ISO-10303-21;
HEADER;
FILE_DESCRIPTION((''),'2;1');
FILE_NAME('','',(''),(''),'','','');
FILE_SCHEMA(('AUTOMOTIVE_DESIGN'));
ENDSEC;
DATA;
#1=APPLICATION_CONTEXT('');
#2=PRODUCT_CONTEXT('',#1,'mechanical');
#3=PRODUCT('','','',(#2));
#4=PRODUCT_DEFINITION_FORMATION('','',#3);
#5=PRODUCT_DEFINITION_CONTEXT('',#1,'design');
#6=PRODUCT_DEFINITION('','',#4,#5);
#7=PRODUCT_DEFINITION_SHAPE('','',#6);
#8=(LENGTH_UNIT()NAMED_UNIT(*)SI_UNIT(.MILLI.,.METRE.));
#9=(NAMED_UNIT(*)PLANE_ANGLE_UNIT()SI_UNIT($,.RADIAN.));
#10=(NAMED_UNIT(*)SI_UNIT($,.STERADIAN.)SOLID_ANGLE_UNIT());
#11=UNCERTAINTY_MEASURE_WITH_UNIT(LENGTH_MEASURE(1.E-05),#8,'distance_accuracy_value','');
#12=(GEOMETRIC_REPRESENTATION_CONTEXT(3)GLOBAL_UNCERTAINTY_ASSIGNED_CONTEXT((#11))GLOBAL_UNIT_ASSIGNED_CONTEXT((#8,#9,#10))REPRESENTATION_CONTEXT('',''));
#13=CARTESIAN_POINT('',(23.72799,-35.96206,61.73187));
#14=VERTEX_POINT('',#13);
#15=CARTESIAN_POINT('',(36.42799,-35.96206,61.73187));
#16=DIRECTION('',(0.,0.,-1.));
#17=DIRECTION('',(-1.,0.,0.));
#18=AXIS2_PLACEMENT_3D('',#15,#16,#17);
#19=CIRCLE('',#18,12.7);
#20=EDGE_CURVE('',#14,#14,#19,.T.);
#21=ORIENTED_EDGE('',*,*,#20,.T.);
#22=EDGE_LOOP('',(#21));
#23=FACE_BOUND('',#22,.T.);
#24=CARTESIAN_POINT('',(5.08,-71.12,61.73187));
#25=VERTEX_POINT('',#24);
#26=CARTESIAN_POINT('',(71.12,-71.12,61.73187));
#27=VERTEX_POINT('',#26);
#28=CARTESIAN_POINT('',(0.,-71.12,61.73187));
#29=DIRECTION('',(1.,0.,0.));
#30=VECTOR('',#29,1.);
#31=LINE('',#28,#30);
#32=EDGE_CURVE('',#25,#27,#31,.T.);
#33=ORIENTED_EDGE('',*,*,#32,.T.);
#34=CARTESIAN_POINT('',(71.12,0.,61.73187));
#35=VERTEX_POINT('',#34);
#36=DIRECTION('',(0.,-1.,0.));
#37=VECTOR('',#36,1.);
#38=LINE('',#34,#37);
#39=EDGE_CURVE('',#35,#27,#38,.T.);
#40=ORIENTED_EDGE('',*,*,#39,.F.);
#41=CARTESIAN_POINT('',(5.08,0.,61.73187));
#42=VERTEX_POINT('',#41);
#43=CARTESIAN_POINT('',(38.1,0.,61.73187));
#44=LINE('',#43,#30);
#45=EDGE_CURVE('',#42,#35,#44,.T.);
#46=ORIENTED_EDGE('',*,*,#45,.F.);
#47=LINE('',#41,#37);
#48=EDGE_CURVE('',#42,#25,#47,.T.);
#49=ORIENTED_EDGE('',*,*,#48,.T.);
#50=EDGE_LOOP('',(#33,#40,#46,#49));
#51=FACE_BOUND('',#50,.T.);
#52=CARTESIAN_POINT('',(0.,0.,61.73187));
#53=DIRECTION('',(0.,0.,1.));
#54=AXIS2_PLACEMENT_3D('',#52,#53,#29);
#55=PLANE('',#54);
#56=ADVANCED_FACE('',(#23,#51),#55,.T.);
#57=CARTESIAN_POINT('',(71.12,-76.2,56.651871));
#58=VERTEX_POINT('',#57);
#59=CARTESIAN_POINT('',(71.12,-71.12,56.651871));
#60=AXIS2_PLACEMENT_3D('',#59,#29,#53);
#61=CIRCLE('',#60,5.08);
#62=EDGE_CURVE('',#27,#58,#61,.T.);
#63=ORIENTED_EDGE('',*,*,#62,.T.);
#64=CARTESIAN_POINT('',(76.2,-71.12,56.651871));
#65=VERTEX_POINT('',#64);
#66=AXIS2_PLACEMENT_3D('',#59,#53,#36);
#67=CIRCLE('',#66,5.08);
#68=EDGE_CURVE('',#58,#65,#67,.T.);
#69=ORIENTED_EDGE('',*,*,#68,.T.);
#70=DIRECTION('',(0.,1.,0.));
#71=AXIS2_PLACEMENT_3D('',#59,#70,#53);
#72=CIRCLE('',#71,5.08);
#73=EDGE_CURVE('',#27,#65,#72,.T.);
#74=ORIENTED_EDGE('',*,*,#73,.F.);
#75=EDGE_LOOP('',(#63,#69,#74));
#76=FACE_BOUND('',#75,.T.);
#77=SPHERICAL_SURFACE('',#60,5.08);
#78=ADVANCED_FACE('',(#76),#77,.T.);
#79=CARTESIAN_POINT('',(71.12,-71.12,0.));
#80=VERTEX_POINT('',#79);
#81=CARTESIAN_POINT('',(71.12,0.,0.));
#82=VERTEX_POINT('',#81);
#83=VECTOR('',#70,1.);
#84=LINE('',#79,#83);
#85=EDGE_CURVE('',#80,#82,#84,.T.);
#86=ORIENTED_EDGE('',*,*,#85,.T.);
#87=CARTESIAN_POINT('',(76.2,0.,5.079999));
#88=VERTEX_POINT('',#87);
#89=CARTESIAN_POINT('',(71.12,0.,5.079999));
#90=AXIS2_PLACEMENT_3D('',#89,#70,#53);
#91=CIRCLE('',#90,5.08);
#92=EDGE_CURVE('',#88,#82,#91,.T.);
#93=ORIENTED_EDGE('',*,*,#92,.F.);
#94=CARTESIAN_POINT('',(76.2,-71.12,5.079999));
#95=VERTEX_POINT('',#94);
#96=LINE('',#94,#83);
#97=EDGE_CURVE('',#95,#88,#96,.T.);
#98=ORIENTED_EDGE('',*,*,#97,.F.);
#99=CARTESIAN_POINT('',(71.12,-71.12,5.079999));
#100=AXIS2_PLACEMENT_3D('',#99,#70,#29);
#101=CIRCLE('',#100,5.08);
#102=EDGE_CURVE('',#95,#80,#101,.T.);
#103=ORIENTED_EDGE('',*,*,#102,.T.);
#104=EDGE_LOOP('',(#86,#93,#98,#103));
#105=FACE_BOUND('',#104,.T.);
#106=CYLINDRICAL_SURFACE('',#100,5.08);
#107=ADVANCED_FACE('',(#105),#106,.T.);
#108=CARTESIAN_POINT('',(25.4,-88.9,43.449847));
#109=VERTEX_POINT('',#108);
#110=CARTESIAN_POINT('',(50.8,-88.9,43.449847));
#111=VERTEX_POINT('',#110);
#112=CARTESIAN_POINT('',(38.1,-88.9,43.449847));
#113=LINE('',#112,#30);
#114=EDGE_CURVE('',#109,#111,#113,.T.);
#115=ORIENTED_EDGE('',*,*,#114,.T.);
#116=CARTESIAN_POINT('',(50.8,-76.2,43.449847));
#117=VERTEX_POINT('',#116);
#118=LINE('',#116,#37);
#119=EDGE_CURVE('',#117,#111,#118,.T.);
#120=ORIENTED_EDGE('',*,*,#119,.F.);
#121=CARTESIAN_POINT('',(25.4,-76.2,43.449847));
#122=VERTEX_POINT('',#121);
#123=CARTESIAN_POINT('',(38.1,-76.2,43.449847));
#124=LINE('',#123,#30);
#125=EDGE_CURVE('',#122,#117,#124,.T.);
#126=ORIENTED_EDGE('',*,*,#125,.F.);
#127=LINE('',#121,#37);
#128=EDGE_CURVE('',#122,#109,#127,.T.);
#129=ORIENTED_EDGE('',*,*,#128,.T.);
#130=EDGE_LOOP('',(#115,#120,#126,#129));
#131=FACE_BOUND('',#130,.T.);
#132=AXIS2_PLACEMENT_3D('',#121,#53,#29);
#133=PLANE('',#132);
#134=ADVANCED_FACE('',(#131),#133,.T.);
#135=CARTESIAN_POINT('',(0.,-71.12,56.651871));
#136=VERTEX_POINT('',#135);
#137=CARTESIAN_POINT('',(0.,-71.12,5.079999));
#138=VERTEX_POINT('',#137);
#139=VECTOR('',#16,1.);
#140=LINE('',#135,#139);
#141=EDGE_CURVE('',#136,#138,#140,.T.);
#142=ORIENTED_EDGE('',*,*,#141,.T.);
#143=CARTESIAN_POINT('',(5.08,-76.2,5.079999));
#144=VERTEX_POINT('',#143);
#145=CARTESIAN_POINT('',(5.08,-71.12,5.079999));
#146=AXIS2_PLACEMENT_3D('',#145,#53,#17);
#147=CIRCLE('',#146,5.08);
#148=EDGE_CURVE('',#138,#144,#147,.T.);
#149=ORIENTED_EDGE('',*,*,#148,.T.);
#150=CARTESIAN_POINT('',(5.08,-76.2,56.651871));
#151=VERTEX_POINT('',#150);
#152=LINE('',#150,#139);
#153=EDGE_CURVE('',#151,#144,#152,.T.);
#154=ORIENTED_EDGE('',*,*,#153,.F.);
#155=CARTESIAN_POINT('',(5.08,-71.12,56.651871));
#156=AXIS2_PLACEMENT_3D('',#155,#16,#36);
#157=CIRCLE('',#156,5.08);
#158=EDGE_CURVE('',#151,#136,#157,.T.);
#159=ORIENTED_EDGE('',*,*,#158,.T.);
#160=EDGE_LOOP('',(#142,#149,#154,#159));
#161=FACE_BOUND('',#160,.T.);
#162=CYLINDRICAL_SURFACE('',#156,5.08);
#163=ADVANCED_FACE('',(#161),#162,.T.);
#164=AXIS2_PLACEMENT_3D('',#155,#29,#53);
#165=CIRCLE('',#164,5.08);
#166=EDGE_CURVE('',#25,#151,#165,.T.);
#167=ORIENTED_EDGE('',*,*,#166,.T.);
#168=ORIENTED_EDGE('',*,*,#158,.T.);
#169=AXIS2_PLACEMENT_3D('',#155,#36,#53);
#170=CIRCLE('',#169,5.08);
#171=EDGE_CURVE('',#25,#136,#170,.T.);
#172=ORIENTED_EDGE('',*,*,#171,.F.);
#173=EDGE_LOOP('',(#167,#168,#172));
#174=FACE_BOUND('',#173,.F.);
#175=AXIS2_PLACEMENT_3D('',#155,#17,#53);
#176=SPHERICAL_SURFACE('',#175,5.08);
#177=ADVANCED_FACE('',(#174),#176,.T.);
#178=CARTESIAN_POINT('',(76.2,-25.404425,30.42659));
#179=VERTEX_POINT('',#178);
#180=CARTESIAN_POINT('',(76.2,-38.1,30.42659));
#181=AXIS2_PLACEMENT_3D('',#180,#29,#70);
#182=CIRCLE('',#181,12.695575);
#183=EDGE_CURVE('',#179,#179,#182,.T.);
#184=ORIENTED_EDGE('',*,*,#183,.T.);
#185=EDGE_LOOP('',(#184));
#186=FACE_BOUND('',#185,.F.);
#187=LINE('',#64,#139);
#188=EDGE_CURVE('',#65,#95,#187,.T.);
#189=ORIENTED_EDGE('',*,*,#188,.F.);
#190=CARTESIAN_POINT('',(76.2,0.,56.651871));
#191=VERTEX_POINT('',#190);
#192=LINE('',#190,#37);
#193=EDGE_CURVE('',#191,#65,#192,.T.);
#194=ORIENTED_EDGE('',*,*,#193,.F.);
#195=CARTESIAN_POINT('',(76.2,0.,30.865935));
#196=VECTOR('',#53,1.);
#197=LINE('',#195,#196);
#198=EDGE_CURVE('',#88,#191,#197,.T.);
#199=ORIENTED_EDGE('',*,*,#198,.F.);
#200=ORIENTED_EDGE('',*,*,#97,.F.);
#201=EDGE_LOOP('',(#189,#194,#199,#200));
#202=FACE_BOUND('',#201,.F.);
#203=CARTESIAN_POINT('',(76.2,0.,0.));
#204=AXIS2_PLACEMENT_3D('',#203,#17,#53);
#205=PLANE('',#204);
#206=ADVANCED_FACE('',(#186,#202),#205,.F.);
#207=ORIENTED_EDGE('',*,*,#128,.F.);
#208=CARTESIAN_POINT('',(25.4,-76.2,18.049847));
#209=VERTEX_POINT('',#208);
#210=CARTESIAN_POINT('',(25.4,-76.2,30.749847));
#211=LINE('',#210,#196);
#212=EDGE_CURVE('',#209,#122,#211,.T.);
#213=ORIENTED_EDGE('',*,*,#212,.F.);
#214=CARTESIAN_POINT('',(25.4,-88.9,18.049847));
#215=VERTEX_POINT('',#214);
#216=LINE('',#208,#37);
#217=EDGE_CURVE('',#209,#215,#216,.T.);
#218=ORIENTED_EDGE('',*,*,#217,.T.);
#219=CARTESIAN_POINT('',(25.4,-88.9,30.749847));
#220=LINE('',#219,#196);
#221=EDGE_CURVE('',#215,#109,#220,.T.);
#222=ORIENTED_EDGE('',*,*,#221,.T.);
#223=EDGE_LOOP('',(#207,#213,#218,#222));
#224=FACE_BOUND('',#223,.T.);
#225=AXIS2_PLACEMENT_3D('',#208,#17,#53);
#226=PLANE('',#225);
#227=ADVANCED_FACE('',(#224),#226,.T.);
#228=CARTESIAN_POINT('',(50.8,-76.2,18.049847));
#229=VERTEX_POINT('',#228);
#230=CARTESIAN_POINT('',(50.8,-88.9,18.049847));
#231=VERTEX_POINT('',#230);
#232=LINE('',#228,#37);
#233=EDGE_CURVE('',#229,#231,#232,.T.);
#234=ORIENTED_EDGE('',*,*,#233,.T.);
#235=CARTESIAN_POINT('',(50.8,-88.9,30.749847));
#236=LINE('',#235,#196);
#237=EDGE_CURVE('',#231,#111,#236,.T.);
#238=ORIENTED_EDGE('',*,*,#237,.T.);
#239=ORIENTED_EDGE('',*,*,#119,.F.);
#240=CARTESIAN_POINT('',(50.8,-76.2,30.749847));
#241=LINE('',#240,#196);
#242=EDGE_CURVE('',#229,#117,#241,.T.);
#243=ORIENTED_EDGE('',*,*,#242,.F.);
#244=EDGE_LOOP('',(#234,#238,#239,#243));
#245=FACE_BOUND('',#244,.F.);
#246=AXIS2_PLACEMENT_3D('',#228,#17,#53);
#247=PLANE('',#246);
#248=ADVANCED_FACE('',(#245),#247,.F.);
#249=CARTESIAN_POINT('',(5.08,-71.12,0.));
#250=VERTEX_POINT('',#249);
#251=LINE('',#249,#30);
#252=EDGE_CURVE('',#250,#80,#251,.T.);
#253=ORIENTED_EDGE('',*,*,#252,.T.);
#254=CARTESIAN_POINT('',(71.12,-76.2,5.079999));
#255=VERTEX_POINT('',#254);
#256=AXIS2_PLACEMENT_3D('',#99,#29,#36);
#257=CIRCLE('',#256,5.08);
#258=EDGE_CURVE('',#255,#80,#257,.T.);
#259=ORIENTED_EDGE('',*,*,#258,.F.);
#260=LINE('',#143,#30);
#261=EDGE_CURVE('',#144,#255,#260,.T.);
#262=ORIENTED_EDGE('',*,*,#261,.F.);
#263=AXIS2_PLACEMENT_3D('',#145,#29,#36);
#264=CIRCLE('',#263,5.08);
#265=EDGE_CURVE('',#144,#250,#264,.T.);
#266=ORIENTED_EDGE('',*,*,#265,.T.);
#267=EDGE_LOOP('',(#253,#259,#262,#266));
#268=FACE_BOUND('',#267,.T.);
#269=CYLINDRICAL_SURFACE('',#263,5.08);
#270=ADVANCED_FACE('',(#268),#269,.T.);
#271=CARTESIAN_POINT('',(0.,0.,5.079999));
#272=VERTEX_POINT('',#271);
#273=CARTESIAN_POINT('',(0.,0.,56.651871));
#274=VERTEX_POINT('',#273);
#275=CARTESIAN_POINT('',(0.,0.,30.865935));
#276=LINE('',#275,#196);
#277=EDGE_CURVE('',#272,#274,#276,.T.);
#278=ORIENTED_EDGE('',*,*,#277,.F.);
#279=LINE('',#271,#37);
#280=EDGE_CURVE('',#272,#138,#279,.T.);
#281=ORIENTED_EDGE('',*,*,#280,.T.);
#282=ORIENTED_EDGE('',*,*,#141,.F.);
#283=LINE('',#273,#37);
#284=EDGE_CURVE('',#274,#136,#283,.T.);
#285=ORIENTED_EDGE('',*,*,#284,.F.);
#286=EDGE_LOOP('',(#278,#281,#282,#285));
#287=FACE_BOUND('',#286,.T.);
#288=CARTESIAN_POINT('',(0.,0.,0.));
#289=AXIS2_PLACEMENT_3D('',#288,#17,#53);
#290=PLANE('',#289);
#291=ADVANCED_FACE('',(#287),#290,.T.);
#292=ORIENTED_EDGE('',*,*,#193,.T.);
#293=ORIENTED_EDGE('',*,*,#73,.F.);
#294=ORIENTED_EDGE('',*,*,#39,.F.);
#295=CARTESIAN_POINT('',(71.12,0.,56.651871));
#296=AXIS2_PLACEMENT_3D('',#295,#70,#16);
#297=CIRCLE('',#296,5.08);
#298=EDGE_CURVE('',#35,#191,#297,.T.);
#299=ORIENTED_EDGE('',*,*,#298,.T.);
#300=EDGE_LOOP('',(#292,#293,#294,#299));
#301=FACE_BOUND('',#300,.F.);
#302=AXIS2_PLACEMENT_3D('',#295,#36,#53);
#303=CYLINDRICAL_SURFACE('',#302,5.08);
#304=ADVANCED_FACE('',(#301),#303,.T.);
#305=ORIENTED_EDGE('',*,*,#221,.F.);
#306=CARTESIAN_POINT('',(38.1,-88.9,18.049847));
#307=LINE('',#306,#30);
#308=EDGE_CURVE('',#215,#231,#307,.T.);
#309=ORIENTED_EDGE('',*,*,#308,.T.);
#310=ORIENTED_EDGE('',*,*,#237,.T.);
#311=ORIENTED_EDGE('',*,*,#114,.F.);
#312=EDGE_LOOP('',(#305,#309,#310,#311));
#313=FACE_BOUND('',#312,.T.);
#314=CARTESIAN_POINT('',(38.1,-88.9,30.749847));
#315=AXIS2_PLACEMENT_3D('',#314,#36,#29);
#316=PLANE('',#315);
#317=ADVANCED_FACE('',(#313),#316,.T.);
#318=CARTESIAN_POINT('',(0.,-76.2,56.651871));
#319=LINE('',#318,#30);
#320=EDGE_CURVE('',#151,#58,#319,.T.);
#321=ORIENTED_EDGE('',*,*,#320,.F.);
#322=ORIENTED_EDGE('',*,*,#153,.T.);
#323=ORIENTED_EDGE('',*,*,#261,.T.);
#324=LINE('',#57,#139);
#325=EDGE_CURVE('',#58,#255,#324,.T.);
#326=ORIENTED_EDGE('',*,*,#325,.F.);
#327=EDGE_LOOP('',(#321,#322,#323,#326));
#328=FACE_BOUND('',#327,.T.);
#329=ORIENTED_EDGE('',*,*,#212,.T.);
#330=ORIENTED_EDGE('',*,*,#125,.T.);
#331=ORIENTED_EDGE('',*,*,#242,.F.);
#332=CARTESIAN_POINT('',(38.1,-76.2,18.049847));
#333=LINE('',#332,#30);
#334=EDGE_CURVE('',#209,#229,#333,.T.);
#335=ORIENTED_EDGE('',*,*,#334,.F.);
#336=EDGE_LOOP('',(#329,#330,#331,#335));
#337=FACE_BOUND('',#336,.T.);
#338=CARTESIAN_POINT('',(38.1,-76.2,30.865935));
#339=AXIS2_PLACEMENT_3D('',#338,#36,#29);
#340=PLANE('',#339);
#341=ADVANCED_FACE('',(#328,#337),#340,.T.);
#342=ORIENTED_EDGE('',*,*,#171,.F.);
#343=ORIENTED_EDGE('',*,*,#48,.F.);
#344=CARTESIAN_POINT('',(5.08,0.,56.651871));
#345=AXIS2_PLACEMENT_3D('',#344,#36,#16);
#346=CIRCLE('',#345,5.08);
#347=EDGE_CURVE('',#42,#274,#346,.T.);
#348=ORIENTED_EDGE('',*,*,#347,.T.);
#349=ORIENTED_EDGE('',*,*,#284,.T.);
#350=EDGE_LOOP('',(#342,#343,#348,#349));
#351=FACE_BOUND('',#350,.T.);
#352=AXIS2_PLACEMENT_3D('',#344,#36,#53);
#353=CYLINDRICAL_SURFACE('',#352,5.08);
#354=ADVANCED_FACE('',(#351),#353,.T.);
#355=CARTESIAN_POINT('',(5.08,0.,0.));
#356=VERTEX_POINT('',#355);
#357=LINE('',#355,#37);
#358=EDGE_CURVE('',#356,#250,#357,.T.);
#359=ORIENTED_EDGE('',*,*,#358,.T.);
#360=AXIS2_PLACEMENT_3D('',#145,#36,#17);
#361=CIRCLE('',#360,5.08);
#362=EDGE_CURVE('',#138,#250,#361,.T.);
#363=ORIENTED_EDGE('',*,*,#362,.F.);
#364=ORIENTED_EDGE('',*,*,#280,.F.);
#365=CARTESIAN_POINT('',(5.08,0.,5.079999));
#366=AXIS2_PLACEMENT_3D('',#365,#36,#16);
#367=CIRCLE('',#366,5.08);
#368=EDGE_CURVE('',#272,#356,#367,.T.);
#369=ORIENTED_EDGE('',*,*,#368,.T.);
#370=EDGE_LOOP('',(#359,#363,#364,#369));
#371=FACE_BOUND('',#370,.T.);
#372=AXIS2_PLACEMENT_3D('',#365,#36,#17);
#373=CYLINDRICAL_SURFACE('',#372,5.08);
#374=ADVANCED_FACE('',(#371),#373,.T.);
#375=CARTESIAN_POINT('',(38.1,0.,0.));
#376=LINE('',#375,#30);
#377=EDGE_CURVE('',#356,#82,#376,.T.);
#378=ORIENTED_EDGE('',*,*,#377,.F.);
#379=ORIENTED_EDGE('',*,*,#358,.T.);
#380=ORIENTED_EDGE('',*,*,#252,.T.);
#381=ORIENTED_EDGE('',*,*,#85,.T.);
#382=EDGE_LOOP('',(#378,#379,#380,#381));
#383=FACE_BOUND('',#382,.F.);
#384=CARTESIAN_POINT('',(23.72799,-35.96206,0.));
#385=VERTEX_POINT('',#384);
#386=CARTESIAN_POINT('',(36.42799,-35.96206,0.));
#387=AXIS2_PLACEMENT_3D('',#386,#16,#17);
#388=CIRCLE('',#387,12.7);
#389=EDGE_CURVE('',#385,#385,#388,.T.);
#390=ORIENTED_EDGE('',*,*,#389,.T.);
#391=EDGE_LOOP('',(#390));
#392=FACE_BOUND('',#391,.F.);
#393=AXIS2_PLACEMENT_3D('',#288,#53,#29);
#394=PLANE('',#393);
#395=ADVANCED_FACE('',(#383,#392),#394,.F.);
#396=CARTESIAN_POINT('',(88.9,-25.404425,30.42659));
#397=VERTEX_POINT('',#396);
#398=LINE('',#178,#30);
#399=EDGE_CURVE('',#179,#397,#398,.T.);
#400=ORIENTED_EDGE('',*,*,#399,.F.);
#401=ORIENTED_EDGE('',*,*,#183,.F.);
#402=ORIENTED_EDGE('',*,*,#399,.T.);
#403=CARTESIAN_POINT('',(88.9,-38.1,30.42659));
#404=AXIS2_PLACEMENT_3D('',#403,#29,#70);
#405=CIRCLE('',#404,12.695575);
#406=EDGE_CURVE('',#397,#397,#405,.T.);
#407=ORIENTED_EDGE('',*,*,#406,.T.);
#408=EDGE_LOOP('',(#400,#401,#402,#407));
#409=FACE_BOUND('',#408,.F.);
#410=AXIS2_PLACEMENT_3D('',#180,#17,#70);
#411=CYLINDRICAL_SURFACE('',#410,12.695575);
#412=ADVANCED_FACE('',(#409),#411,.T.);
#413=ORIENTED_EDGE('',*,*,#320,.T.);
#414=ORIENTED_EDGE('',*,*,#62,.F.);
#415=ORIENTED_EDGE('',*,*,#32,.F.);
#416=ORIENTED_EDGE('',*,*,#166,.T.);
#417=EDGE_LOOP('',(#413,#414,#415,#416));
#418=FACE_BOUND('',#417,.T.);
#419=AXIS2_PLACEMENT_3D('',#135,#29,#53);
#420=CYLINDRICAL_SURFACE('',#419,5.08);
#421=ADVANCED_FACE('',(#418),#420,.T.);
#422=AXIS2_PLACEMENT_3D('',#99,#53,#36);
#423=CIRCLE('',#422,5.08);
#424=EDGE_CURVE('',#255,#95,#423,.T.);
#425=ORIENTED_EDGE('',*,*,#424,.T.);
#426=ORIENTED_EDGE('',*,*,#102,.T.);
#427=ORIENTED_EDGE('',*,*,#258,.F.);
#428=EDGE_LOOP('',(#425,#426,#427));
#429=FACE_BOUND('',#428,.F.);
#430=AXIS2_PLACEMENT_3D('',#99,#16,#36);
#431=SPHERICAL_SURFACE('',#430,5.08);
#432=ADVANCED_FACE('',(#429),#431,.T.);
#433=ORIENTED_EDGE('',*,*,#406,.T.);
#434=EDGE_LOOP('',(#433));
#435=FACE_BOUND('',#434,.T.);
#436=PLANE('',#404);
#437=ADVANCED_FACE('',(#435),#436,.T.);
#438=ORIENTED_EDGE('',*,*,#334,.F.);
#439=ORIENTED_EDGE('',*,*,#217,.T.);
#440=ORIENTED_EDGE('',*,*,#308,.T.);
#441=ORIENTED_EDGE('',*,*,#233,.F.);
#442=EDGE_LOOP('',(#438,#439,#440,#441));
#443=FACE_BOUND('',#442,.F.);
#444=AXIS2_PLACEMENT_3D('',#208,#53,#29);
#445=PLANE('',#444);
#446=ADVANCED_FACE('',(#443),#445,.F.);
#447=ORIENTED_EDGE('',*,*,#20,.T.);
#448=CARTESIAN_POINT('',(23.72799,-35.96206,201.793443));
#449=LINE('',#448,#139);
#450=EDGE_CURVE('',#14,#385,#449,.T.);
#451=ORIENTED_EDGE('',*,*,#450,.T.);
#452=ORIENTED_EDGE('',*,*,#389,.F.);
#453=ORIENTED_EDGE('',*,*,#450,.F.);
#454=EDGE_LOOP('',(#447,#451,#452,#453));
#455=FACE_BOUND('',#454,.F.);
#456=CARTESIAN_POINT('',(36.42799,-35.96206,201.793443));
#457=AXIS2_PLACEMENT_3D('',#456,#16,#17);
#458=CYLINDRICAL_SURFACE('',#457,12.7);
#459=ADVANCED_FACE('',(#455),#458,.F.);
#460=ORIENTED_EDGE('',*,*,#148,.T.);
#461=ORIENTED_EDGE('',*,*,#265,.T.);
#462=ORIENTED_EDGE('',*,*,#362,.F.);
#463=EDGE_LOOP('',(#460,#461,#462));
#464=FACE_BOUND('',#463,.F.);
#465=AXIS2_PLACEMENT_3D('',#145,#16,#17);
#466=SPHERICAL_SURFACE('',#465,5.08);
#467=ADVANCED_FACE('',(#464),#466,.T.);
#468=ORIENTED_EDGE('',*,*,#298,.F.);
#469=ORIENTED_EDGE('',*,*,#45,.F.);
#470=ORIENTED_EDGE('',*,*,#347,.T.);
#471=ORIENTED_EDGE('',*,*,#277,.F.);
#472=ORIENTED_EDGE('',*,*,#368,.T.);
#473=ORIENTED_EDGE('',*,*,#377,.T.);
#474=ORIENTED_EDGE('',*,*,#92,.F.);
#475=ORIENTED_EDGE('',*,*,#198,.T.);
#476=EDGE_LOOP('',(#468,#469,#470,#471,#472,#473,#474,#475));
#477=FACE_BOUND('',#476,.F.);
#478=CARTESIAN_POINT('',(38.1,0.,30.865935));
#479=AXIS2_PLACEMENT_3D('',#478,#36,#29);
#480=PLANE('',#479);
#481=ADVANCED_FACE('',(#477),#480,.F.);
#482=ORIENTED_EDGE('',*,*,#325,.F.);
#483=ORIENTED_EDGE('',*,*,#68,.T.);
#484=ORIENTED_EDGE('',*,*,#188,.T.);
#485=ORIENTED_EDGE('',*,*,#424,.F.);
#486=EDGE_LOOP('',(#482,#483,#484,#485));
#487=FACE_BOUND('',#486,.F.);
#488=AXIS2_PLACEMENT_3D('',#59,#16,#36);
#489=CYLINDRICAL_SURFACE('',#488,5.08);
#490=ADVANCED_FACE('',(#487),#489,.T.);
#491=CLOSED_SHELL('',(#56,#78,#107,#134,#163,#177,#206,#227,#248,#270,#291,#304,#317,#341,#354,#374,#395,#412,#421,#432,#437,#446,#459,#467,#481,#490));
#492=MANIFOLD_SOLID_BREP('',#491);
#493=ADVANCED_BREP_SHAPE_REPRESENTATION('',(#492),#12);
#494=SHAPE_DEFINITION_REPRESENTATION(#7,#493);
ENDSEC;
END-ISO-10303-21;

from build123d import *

# Parameters (mm, degrees)
F0_W     = 76.2
F0_H     = 61.731871
F1_DEPTH = 76.2
F4_R     = 12.695575
F5_DEPTH = 12.7
F7_W     = 25.4
F7_H     = 25.4
F8_DEPTH = 12.7
F10_D    = 25.4
F11_R    = 5.08
F12_R    = 5.08
F13_R    = 5.08
F14_R    = 5.08


with BuildPart() as f1:
    # F0 (on Front) → F1 (new body)
    with BuildSketch(Plane.XZ):
        with Locations((38.1, 30.865935)):
            Rectangle(F0_W, F0_H)
    extrude(amount=F1_DEPTH)

    # F4 (on face) → F5 (join)
    with BuildSketch(Plane.YZ.offset(76.2)):
        with Locations((-38.1, 30.42659)):
            Circle(F4_R)
    extrude(amount=F5_DEPTH)

    # F7 (on face) → F8 (join)
    with BuildSketch(Plane.XZ.offset(76.2)):
        with Locations((38.1, 30.749847)):
            Rectangle(F7_W, F7_H)
    extrude(amount=F8_DEPTH)

    # F10 (through all)
    with Locations(Plane.XY.offset(61.731871)):
        with Locations((36.42799, -35.96206)):
            Hole(F10_D / 2)

    # F11
    f11_edges = [f1.edges().sort_by_distance(p)[0] for p in [
        (38.1, -76.2, 61.731871),
    ]]
    fillet(f11_edges, radius=F11_R)

    # F12
    f12_edges = [f1.edges().sort_by_distance(p)[0] for p in [
        (76.2, -35.56, 61.731871),
    ]]
    fillet(f12_edges, radius=F12_R)

    # F13
    f13_edges = [f1.edges().sort_by_distance(p)[0] for p in [
        (0, -35.56, 61.731871),
    ]]
    fillet(f13_edges, radius=F13_R)

    # F14
    f14_edges = [f1.edges().sort_by_distance(p)[0] for p in [
        (38.1, -76.2, 0),
    ]]
    fillet(f14_edges, radius=F14_R)


solid = f1.part
